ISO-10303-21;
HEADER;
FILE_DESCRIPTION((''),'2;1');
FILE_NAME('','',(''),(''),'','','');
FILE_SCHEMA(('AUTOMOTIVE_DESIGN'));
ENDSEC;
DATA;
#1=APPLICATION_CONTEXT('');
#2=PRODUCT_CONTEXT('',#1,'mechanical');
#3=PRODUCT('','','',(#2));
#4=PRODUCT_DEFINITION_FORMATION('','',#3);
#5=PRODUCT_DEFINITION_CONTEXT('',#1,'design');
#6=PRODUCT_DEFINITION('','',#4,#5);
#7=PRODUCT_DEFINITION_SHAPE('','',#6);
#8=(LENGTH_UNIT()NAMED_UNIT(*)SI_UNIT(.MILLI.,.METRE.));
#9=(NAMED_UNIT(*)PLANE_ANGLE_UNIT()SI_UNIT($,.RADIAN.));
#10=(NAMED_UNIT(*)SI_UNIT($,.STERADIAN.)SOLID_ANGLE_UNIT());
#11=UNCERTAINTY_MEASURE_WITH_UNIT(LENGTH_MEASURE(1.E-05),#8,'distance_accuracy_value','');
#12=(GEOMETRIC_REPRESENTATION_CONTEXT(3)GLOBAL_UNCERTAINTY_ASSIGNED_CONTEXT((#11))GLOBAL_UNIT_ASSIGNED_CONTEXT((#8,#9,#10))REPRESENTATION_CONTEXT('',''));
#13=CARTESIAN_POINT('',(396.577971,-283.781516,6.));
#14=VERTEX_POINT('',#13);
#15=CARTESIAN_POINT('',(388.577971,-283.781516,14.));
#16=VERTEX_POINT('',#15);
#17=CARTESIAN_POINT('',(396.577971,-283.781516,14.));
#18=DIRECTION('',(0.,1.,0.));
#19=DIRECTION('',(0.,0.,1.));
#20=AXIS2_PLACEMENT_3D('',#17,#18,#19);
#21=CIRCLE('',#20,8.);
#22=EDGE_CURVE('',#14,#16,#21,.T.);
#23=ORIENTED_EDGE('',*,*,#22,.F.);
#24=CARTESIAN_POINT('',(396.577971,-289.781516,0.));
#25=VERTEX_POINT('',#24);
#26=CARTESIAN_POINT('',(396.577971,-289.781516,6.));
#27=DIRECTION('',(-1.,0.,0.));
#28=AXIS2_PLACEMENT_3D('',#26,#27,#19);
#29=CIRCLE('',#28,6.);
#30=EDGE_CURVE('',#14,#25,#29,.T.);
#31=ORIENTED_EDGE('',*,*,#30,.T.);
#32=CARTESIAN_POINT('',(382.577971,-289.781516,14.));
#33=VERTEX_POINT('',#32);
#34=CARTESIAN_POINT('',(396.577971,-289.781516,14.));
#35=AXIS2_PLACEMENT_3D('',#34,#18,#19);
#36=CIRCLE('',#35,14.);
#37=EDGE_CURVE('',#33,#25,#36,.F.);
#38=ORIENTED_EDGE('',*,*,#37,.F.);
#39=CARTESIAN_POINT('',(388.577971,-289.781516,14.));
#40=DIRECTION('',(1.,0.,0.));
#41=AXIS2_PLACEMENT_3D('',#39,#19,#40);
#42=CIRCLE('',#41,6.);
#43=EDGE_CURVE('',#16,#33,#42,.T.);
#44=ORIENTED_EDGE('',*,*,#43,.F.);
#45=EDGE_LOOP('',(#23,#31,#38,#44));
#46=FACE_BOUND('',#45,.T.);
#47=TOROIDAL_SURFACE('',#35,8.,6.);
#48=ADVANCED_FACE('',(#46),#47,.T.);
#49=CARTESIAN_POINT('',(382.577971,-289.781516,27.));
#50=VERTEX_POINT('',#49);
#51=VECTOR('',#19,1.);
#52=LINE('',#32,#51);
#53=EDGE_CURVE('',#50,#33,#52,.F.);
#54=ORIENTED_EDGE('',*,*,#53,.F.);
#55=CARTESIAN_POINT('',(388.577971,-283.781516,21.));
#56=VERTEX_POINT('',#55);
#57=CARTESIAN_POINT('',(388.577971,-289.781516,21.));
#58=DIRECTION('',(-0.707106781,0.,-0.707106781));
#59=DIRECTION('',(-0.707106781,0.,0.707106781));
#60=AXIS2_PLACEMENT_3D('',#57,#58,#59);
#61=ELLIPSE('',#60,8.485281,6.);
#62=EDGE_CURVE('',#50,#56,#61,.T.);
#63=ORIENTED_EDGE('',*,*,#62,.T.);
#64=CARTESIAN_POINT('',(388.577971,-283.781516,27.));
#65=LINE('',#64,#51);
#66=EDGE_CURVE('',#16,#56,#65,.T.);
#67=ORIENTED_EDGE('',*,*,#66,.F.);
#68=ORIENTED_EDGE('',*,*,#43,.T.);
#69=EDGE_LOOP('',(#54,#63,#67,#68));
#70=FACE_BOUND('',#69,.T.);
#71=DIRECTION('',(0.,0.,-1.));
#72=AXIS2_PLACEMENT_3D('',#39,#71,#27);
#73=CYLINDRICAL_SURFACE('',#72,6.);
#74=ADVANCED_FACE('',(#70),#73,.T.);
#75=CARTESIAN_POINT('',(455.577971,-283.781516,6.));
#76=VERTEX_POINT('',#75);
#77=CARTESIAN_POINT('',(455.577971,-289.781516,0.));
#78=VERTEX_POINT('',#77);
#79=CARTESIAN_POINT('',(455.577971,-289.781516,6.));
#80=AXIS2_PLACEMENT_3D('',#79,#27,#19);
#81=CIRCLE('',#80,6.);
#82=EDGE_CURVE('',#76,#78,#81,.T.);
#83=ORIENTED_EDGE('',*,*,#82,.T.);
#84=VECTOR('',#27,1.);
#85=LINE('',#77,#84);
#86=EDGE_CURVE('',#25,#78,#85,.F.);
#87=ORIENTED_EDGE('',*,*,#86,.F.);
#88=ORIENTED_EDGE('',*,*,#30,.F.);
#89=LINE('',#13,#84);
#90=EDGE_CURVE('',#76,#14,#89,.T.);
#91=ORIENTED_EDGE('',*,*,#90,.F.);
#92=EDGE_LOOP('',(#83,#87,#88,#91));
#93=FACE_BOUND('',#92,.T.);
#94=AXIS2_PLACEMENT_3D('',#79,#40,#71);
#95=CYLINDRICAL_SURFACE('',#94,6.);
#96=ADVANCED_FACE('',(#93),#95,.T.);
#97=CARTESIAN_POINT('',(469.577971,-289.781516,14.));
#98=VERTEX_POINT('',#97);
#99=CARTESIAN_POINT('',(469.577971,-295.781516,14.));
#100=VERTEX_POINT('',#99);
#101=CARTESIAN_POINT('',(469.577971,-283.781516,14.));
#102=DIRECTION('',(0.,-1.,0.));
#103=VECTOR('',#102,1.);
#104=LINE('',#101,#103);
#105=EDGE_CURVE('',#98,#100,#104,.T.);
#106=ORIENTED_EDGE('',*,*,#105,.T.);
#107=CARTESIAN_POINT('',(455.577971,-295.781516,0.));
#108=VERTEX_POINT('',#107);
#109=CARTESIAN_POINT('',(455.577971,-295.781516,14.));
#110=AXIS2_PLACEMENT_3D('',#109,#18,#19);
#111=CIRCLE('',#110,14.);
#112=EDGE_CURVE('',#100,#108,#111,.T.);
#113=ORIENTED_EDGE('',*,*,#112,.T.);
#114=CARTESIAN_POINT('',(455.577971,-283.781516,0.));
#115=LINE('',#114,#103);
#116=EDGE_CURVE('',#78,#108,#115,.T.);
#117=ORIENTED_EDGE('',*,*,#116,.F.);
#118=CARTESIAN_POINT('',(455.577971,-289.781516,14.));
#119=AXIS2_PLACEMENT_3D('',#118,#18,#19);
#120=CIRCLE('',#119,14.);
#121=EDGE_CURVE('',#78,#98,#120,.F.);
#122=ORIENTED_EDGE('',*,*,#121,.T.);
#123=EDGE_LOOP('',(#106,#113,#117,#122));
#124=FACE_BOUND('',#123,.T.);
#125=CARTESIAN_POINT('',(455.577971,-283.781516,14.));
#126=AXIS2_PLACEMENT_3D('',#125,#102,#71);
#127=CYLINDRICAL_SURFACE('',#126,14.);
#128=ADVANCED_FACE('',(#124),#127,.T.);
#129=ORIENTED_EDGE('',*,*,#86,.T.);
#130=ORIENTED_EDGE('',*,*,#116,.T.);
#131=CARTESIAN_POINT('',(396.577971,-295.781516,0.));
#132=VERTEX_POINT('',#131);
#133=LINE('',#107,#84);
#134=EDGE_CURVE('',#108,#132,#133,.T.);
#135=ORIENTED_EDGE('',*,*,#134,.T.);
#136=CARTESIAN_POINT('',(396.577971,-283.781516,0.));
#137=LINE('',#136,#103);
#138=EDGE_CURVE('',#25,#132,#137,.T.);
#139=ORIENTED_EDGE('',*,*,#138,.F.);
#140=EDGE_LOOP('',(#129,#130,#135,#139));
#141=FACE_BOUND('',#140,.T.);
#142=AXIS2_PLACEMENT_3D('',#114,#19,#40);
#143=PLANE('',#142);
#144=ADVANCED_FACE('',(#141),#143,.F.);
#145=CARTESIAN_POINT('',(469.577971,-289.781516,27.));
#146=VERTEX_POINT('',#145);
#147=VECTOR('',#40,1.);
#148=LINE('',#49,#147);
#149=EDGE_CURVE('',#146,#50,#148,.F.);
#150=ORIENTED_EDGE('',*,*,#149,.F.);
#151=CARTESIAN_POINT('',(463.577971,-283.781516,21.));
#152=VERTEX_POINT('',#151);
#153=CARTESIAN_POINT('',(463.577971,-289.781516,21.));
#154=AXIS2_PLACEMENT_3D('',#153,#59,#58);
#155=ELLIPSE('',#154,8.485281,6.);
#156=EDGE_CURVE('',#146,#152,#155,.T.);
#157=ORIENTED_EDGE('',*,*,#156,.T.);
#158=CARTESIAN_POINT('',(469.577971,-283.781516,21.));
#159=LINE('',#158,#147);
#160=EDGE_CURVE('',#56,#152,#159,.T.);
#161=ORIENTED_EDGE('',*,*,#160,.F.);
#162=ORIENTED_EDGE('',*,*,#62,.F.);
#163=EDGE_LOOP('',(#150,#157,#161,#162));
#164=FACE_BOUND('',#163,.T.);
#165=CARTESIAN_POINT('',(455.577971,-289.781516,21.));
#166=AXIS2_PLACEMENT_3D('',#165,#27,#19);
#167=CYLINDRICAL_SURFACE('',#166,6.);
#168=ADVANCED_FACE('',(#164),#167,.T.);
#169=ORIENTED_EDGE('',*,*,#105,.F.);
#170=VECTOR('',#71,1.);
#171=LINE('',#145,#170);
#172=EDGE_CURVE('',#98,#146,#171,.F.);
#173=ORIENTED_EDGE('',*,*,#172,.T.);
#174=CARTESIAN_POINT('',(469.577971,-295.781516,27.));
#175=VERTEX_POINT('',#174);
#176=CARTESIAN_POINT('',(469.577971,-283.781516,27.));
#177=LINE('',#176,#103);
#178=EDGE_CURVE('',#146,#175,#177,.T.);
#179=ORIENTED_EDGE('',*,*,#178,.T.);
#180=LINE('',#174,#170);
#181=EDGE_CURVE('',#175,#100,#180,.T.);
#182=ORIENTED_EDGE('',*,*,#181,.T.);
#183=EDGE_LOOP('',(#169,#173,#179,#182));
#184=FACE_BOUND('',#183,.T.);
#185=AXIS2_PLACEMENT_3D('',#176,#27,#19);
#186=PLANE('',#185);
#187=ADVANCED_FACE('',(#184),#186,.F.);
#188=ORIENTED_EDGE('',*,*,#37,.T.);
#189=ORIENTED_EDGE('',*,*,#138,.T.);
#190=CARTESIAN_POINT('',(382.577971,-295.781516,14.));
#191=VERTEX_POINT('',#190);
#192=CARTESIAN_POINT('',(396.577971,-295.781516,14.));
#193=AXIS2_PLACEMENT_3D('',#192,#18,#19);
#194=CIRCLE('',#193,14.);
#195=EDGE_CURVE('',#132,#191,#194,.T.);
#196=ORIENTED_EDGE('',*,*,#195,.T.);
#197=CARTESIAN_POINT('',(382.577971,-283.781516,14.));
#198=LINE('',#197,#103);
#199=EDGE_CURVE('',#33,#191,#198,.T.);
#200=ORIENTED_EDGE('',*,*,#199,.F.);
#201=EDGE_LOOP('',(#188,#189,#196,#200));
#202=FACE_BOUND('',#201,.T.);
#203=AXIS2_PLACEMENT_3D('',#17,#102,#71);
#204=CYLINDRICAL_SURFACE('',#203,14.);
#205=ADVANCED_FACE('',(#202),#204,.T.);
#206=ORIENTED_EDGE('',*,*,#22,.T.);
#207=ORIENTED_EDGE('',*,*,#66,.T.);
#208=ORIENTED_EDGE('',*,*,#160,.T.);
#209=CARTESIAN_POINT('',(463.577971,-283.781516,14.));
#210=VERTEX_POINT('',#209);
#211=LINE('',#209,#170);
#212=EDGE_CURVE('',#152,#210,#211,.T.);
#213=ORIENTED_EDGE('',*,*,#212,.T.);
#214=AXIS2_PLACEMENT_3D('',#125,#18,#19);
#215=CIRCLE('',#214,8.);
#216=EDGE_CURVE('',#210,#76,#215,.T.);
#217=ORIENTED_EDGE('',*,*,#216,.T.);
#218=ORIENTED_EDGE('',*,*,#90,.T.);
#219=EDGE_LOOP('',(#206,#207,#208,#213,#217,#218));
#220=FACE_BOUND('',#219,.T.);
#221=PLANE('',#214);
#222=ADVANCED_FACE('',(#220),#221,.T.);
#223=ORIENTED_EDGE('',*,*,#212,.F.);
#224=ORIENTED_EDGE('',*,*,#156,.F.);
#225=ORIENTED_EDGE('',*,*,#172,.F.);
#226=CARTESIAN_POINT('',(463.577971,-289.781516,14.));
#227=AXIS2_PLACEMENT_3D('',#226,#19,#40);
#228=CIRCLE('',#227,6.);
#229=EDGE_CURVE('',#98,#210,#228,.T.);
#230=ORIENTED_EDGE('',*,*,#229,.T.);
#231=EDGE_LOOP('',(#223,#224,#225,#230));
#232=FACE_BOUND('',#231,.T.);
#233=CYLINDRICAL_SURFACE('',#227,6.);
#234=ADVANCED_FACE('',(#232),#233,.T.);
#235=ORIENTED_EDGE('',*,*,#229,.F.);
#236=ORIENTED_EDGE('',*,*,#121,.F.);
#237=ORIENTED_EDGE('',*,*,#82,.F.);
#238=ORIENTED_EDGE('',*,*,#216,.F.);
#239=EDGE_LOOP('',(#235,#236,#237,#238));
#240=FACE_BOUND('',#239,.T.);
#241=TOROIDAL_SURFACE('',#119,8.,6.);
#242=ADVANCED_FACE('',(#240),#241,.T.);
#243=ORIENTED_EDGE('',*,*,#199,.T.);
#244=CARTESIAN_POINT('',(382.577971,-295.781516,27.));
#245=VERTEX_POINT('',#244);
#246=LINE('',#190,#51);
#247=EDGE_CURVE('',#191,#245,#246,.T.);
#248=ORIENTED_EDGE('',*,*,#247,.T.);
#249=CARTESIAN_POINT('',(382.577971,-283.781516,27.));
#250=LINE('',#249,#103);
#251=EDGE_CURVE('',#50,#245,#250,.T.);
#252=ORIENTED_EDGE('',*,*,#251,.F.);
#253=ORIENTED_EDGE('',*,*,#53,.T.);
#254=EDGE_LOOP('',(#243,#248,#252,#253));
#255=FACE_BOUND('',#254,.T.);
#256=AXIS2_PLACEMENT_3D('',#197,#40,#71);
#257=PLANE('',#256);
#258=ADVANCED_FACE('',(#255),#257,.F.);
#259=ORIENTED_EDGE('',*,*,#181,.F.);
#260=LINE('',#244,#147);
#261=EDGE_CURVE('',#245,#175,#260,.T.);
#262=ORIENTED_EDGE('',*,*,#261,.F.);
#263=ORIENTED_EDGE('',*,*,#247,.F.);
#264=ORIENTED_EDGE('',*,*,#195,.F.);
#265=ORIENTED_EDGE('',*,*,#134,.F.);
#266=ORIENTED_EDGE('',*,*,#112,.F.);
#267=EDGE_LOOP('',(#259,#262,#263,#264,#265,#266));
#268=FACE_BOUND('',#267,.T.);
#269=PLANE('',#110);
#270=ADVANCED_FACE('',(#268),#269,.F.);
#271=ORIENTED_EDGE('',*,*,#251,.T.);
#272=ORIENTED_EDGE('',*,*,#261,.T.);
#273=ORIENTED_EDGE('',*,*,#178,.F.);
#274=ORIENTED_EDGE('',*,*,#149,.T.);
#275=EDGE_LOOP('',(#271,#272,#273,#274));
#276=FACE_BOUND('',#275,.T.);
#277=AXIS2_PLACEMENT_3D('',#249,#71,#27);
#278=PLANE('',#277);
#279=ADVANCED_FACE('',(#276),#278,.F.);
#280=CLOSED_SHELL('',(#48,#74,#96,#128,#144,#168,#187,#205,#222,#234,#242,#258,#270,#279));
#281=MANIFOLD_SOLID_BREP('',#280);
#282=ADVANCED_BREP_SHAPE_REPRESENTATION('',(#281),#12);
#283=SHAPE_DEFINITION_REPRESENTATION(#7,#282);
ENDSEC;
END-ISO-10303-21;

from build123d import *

# Parameters (mm, degrees)
BOSS_EXTRUDE1_DEPTH = 12
FILLET2_R           = 6


with BuildPart() as part:
    # Sketch1 → Boss-Extrude1 (new body)
    with BuildSketch(Plane(origin=(0, -295.781515915, 0), x_dir=(1, 0, 0), z_dir=(0, 1, 0))):
        with BuildLine():
            Line((469.577970857, -27), (469.577970857, -14))
            ThreePointArc((469.577970857, -14), (465.477465793, -4.100505063), (455.577970857, 0))
            Line((455.577970857, 0), (396.577970857, 0))
            ThreePointArc((396.577970857, 0), (386.67847592, -4.100505063), (382.577970857, -14))
            Line((382.577970857, -14), (382.577970857, -27))
            Line((382.577970857, -27), (469.577970857, -27))
        make_face()
    extrude(amount=BOSS_EXTRUDE1_DEPTH)

    # Fillet2
    fillet2_edges = [part.edges().sort_by_distance(p)[0] for p in [
        (465.477465793, -283.781515915, 4.100505063),
        (426.077970857, -283.781515915, 0),
        (386.67847592, -283.781515915, 4.100505063),
        (382.577970857, -283.781515915, 20.5),
        (426.077970857, -283.781515915, 27),
        (469.577970857, -283.781515915, 20.5),
    ]]
    fillet(fillet2_edges, radius=FILLET2_R)


solid = part.part
